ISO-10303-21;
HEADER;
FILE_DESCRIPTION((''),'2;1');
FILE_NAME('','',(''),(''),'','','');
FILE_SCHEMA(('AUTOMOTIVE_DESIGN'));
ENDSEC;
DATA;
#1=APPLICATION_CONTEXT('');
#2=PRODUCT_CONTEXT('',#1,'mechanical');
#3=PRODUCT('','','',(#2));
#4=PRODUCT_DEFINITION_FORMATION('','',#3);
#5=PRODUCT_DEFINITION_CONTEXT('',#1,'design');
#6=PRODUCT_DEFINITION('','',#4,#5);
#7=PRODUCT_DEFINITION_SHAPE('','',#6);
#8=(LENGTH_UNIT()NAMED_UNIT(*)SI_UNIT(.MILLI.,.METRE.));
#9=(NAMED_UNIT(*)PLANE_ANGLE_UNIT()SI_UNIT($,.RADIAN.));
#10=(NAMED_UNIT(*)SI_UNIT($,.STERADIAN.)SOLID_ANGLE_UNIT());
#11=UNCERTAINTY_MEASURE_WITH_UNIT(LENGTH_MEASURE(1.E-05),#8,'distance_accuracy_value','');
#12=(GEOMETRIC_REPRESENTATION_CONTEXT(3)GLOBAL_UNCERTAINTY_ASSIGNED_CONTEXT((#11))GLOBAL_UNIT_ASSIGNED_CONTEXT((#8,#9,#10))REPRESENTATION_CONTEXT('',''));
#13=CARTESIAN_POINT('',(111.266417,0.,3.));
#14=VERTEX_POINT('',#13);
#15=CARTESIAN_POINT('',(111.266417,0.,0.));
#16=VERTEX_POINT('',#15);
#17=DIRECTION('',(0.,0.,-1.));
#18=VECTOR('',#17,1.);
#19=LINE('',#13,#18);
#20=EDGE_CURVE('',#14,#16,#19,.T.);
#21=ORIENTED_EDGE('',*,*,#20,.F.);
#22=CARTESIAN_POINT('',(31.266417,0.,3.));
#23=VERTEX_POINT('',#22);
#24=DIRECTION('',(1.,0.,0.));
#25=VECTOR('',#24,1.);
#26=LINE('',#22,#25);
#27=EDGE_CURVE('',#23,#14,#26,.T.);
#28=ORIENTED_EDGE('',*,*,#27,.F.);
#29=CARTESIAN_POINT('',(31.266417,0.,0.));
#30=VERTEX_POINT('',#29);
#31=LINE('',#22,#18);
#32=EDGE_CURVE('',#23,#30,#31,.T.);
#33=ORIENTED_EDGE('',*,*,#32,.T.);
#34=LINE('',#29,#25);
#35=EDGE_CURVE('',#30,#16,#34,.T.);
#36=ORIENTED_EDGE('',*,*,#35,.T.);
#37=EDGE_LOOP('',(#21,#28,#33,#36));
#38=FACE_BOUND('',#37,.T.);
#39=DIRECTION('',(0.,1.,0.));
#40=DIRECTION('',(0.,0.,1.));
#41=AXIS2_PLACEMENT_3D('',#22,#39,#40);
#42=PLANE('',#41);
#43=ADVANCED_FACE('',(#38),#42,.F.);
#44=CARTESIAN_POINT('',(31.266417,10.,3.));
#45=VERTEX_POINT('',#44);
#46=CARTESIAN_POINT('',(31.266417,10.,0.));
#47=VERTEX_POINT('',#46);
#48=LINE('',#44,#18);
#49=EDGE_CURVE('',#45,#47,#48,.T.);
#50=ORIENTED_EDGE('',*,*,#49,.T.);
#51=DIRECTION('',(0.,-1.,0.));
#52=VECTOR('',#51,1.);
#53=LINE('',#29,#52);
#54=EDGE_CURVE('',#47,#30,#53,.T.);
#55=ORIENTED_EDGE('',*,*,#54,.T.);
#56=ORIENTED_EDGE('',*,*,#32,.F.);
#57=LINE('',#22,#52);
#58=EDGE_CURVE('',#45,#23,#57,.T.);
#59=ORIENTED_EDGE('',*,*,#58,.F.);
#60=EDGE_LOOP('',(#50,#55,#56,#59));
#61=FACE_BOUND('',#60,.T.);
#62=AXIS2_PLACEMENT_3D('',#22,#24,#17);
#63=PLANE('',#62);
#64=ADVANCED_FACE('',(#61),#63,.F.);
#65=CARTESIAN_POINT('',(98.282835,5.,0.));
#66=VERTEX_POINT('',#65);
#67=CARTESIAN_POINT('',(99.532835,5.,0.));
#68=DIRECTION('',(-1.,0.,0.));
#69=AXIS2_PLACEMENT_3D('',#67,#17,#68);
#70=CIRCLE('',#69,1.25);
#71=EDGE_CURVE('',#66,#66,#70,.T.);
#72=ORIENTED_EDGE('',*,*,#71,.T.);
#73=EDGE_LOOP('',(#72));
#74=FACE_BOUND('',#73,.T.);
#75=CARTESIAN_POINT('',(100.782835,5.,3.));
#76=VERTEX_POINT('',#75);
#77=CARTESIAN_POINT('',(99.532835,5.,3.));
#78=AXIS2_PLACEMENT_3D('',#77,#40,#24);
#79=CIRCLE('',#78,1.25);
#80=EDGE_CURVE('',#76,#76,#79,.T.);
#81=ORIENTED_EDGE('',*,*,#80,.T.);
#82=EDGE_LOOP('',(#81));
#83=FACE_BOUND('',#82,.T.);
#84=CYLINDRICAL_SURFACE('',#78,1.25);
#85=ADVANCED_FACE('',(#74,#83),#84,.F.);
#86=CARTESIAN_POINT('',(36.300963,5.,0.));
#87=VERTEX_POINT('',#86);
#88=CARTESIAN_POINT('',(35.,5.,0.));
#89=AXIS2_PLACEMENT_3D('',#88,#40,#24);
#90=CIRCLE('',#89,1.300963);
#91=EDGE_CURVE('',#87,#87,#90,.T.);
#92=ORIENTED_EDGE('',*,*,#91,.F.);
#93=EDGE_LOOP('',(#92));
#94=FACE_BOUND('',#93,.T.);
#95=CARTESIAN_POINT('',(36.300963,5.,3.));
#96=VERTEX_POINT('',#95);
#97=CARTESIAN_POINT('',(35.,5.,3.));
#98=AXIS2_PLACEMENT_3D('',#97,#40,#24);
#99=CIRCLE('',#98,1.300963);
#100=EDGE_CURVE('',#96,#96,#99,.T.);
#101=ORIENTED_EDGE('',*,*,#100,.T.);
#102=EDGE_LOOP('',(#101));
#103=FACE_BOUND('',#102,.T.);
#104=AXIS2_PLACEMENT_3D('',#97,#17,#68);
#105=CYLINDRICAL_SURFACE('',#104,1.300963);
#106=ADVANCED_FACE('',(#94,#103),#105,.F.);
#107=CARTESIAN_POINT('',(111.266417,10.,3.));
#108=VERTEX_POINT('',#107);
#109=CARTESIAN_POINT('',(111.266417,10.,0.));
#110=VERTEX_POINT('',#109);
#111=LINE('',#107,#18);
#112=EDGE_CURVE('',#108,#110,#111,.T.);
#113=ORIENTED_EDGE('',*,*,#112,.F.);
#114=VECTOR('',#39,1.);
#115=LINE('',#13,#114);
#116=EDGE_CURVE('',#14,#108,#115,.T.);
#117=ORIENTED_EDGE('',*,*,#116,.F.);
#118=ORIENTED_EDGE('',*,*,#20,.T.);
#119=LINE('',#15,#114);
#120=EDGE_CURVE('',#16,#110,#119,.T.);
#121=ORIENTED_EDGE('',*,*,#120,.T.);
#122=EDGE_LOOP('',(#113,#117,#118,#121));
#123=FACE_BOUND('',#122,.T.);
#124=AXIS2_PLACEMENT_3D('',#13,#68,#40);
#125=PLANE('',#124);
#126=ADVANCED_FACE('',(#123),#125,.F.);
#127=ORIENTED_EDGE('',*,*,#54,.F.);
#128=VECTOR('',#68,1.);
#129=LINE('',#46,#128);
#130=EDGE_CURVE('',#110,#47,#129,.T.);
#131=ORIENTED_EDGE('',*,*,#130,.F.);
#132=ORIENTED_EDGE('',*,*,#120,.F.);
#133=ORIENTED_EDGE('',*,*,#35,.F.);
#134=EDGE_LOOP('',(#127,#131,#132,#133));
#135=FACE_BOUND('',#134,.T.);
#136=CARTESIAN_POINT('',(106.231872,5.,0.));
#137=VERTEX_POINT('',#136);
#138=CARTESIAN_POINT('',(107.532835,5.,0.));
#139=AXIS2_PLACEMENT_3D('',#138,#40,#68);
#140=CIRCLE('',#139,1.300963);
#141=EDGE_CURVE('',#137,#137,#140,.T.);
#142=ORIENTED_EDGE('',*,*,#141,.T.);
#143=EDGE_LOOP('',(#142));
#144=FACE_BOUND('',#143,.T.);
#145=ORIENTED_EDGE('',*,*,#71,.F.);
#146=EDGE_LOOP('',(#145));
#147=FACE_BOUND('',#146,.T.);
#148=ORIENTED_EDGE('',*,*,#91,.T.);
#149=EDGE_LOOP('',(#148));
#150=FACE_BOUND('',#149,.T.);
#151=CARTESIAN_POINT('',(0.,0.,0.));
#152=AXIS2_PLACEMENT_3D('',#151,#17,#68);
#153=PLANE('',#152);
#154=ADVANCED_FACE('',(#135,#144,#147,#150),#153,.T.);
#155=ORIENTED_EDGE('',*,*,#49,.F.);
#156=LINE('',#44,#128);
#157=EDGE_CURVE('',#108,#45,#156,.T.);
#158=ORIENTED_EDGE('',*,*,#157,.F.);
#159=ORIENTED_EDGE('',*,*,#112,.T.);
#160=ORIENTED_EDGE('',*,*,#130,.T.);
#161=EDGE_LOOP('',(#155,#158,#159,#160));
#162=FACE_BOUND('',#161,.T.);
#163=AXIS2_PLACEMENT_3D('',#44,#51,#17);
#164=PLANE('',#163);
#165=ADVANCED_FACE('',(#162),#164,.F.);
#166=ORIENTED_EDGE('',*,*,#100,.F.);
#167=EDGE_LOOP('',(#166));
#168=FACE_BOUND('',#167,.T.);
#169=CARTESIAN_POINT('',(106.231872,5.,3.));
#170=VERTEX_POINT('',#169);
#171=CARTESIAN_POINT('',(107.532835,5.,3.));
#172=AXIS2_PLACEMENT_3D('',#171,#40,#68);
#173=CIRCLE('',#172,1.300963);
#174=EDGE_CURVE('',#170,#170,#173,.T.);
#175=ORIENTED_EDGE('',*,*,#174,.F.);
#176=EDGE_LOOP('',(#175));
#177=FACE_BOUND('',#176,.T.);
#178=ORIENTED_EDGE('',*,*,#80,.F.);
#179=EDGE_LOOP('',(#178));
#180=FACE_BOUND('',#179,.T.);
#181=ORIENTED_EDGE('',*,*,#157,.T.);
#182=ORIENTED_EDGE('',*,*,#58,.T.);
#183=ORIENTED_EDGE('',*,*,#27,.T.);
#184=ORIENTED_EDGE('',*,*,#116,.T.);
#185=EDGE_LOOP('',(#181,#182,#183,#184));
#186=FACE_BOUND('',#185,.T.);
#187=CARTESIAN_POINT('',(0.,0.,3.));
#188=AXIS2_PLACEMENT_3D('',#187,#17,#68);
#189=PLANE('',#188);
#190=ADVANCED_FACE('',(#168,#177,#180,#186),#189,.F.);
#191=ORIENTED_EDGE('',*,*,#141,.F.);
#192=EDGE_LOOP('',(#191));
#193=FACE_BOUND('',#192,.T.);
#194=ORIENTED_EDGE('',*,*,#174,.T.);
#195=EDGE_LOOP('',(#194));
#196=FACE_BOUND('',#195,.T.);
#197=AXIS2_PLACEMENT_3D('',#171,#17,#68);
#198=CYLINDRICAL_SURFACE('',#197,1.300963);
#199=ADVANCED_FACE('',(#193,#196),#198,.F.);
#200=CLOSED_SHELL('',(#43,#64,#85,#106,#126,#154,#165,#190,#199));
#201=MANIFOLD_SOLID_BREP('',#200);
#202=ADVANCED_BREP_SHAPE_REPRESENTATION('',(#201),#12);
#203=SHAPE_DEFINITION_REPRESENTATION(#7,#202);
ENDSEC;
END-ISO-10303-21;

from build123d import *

# Parameters (mm, degrees)
SKETCH1_W             = 80
SKETCH1_H             = 10
SKETCH1_R             = 1.300963213
BOSS_EXTRUDE1_DEPTH   = 3
M3_TAPPED_HOLE1_D     = 2.5
M3_TAPPED_HOLE1_DEPTH = 7.5
M3_TAPPED_HOLE1_TIP   = 0.751075774


with BuildPart() as part:
    # Sketch1 → Boss-Extrude1 (new body)
    with BuildSketch(Plane.XY):
        with Locations((71.266417393, 5)):
            Rectangle(SKETCH1_W, SKETCH1_H)
        with Locations((35, 5)):
            Circle(SKETCH1_R, mode=Mode.SUBTRACT)
        with Locations(Location((107.532834786, 5, 0), (0, 0, 180))):
            Circle(SKETCH1_R, mode=Mode.SUBTRACT)
    extrude(amount=BOSS_EXTRUDE1_DEPTH)

    # M3 Tapped Hole1
    with Locations(Plane.XY.offset(3)):
        with Locations((99.532834786, 5)):
            Hole(M3_TAPPED_HOLE1_D / 2, depth=M3_TAPPED_HOLE1_DEPTH)
            with Locations((0, 0, -(M3_TAPPED_HOLE1_DEPTH + M3_TAPPED_HOLE1_TIP / 2))):  # 118° drill point
                Cone(0, M3_TAPPED_HOLE1_D / 2, M3_TAPPED_HOLE1_TIP, mode=Mode.SUBTRACT)


solid = part.part
